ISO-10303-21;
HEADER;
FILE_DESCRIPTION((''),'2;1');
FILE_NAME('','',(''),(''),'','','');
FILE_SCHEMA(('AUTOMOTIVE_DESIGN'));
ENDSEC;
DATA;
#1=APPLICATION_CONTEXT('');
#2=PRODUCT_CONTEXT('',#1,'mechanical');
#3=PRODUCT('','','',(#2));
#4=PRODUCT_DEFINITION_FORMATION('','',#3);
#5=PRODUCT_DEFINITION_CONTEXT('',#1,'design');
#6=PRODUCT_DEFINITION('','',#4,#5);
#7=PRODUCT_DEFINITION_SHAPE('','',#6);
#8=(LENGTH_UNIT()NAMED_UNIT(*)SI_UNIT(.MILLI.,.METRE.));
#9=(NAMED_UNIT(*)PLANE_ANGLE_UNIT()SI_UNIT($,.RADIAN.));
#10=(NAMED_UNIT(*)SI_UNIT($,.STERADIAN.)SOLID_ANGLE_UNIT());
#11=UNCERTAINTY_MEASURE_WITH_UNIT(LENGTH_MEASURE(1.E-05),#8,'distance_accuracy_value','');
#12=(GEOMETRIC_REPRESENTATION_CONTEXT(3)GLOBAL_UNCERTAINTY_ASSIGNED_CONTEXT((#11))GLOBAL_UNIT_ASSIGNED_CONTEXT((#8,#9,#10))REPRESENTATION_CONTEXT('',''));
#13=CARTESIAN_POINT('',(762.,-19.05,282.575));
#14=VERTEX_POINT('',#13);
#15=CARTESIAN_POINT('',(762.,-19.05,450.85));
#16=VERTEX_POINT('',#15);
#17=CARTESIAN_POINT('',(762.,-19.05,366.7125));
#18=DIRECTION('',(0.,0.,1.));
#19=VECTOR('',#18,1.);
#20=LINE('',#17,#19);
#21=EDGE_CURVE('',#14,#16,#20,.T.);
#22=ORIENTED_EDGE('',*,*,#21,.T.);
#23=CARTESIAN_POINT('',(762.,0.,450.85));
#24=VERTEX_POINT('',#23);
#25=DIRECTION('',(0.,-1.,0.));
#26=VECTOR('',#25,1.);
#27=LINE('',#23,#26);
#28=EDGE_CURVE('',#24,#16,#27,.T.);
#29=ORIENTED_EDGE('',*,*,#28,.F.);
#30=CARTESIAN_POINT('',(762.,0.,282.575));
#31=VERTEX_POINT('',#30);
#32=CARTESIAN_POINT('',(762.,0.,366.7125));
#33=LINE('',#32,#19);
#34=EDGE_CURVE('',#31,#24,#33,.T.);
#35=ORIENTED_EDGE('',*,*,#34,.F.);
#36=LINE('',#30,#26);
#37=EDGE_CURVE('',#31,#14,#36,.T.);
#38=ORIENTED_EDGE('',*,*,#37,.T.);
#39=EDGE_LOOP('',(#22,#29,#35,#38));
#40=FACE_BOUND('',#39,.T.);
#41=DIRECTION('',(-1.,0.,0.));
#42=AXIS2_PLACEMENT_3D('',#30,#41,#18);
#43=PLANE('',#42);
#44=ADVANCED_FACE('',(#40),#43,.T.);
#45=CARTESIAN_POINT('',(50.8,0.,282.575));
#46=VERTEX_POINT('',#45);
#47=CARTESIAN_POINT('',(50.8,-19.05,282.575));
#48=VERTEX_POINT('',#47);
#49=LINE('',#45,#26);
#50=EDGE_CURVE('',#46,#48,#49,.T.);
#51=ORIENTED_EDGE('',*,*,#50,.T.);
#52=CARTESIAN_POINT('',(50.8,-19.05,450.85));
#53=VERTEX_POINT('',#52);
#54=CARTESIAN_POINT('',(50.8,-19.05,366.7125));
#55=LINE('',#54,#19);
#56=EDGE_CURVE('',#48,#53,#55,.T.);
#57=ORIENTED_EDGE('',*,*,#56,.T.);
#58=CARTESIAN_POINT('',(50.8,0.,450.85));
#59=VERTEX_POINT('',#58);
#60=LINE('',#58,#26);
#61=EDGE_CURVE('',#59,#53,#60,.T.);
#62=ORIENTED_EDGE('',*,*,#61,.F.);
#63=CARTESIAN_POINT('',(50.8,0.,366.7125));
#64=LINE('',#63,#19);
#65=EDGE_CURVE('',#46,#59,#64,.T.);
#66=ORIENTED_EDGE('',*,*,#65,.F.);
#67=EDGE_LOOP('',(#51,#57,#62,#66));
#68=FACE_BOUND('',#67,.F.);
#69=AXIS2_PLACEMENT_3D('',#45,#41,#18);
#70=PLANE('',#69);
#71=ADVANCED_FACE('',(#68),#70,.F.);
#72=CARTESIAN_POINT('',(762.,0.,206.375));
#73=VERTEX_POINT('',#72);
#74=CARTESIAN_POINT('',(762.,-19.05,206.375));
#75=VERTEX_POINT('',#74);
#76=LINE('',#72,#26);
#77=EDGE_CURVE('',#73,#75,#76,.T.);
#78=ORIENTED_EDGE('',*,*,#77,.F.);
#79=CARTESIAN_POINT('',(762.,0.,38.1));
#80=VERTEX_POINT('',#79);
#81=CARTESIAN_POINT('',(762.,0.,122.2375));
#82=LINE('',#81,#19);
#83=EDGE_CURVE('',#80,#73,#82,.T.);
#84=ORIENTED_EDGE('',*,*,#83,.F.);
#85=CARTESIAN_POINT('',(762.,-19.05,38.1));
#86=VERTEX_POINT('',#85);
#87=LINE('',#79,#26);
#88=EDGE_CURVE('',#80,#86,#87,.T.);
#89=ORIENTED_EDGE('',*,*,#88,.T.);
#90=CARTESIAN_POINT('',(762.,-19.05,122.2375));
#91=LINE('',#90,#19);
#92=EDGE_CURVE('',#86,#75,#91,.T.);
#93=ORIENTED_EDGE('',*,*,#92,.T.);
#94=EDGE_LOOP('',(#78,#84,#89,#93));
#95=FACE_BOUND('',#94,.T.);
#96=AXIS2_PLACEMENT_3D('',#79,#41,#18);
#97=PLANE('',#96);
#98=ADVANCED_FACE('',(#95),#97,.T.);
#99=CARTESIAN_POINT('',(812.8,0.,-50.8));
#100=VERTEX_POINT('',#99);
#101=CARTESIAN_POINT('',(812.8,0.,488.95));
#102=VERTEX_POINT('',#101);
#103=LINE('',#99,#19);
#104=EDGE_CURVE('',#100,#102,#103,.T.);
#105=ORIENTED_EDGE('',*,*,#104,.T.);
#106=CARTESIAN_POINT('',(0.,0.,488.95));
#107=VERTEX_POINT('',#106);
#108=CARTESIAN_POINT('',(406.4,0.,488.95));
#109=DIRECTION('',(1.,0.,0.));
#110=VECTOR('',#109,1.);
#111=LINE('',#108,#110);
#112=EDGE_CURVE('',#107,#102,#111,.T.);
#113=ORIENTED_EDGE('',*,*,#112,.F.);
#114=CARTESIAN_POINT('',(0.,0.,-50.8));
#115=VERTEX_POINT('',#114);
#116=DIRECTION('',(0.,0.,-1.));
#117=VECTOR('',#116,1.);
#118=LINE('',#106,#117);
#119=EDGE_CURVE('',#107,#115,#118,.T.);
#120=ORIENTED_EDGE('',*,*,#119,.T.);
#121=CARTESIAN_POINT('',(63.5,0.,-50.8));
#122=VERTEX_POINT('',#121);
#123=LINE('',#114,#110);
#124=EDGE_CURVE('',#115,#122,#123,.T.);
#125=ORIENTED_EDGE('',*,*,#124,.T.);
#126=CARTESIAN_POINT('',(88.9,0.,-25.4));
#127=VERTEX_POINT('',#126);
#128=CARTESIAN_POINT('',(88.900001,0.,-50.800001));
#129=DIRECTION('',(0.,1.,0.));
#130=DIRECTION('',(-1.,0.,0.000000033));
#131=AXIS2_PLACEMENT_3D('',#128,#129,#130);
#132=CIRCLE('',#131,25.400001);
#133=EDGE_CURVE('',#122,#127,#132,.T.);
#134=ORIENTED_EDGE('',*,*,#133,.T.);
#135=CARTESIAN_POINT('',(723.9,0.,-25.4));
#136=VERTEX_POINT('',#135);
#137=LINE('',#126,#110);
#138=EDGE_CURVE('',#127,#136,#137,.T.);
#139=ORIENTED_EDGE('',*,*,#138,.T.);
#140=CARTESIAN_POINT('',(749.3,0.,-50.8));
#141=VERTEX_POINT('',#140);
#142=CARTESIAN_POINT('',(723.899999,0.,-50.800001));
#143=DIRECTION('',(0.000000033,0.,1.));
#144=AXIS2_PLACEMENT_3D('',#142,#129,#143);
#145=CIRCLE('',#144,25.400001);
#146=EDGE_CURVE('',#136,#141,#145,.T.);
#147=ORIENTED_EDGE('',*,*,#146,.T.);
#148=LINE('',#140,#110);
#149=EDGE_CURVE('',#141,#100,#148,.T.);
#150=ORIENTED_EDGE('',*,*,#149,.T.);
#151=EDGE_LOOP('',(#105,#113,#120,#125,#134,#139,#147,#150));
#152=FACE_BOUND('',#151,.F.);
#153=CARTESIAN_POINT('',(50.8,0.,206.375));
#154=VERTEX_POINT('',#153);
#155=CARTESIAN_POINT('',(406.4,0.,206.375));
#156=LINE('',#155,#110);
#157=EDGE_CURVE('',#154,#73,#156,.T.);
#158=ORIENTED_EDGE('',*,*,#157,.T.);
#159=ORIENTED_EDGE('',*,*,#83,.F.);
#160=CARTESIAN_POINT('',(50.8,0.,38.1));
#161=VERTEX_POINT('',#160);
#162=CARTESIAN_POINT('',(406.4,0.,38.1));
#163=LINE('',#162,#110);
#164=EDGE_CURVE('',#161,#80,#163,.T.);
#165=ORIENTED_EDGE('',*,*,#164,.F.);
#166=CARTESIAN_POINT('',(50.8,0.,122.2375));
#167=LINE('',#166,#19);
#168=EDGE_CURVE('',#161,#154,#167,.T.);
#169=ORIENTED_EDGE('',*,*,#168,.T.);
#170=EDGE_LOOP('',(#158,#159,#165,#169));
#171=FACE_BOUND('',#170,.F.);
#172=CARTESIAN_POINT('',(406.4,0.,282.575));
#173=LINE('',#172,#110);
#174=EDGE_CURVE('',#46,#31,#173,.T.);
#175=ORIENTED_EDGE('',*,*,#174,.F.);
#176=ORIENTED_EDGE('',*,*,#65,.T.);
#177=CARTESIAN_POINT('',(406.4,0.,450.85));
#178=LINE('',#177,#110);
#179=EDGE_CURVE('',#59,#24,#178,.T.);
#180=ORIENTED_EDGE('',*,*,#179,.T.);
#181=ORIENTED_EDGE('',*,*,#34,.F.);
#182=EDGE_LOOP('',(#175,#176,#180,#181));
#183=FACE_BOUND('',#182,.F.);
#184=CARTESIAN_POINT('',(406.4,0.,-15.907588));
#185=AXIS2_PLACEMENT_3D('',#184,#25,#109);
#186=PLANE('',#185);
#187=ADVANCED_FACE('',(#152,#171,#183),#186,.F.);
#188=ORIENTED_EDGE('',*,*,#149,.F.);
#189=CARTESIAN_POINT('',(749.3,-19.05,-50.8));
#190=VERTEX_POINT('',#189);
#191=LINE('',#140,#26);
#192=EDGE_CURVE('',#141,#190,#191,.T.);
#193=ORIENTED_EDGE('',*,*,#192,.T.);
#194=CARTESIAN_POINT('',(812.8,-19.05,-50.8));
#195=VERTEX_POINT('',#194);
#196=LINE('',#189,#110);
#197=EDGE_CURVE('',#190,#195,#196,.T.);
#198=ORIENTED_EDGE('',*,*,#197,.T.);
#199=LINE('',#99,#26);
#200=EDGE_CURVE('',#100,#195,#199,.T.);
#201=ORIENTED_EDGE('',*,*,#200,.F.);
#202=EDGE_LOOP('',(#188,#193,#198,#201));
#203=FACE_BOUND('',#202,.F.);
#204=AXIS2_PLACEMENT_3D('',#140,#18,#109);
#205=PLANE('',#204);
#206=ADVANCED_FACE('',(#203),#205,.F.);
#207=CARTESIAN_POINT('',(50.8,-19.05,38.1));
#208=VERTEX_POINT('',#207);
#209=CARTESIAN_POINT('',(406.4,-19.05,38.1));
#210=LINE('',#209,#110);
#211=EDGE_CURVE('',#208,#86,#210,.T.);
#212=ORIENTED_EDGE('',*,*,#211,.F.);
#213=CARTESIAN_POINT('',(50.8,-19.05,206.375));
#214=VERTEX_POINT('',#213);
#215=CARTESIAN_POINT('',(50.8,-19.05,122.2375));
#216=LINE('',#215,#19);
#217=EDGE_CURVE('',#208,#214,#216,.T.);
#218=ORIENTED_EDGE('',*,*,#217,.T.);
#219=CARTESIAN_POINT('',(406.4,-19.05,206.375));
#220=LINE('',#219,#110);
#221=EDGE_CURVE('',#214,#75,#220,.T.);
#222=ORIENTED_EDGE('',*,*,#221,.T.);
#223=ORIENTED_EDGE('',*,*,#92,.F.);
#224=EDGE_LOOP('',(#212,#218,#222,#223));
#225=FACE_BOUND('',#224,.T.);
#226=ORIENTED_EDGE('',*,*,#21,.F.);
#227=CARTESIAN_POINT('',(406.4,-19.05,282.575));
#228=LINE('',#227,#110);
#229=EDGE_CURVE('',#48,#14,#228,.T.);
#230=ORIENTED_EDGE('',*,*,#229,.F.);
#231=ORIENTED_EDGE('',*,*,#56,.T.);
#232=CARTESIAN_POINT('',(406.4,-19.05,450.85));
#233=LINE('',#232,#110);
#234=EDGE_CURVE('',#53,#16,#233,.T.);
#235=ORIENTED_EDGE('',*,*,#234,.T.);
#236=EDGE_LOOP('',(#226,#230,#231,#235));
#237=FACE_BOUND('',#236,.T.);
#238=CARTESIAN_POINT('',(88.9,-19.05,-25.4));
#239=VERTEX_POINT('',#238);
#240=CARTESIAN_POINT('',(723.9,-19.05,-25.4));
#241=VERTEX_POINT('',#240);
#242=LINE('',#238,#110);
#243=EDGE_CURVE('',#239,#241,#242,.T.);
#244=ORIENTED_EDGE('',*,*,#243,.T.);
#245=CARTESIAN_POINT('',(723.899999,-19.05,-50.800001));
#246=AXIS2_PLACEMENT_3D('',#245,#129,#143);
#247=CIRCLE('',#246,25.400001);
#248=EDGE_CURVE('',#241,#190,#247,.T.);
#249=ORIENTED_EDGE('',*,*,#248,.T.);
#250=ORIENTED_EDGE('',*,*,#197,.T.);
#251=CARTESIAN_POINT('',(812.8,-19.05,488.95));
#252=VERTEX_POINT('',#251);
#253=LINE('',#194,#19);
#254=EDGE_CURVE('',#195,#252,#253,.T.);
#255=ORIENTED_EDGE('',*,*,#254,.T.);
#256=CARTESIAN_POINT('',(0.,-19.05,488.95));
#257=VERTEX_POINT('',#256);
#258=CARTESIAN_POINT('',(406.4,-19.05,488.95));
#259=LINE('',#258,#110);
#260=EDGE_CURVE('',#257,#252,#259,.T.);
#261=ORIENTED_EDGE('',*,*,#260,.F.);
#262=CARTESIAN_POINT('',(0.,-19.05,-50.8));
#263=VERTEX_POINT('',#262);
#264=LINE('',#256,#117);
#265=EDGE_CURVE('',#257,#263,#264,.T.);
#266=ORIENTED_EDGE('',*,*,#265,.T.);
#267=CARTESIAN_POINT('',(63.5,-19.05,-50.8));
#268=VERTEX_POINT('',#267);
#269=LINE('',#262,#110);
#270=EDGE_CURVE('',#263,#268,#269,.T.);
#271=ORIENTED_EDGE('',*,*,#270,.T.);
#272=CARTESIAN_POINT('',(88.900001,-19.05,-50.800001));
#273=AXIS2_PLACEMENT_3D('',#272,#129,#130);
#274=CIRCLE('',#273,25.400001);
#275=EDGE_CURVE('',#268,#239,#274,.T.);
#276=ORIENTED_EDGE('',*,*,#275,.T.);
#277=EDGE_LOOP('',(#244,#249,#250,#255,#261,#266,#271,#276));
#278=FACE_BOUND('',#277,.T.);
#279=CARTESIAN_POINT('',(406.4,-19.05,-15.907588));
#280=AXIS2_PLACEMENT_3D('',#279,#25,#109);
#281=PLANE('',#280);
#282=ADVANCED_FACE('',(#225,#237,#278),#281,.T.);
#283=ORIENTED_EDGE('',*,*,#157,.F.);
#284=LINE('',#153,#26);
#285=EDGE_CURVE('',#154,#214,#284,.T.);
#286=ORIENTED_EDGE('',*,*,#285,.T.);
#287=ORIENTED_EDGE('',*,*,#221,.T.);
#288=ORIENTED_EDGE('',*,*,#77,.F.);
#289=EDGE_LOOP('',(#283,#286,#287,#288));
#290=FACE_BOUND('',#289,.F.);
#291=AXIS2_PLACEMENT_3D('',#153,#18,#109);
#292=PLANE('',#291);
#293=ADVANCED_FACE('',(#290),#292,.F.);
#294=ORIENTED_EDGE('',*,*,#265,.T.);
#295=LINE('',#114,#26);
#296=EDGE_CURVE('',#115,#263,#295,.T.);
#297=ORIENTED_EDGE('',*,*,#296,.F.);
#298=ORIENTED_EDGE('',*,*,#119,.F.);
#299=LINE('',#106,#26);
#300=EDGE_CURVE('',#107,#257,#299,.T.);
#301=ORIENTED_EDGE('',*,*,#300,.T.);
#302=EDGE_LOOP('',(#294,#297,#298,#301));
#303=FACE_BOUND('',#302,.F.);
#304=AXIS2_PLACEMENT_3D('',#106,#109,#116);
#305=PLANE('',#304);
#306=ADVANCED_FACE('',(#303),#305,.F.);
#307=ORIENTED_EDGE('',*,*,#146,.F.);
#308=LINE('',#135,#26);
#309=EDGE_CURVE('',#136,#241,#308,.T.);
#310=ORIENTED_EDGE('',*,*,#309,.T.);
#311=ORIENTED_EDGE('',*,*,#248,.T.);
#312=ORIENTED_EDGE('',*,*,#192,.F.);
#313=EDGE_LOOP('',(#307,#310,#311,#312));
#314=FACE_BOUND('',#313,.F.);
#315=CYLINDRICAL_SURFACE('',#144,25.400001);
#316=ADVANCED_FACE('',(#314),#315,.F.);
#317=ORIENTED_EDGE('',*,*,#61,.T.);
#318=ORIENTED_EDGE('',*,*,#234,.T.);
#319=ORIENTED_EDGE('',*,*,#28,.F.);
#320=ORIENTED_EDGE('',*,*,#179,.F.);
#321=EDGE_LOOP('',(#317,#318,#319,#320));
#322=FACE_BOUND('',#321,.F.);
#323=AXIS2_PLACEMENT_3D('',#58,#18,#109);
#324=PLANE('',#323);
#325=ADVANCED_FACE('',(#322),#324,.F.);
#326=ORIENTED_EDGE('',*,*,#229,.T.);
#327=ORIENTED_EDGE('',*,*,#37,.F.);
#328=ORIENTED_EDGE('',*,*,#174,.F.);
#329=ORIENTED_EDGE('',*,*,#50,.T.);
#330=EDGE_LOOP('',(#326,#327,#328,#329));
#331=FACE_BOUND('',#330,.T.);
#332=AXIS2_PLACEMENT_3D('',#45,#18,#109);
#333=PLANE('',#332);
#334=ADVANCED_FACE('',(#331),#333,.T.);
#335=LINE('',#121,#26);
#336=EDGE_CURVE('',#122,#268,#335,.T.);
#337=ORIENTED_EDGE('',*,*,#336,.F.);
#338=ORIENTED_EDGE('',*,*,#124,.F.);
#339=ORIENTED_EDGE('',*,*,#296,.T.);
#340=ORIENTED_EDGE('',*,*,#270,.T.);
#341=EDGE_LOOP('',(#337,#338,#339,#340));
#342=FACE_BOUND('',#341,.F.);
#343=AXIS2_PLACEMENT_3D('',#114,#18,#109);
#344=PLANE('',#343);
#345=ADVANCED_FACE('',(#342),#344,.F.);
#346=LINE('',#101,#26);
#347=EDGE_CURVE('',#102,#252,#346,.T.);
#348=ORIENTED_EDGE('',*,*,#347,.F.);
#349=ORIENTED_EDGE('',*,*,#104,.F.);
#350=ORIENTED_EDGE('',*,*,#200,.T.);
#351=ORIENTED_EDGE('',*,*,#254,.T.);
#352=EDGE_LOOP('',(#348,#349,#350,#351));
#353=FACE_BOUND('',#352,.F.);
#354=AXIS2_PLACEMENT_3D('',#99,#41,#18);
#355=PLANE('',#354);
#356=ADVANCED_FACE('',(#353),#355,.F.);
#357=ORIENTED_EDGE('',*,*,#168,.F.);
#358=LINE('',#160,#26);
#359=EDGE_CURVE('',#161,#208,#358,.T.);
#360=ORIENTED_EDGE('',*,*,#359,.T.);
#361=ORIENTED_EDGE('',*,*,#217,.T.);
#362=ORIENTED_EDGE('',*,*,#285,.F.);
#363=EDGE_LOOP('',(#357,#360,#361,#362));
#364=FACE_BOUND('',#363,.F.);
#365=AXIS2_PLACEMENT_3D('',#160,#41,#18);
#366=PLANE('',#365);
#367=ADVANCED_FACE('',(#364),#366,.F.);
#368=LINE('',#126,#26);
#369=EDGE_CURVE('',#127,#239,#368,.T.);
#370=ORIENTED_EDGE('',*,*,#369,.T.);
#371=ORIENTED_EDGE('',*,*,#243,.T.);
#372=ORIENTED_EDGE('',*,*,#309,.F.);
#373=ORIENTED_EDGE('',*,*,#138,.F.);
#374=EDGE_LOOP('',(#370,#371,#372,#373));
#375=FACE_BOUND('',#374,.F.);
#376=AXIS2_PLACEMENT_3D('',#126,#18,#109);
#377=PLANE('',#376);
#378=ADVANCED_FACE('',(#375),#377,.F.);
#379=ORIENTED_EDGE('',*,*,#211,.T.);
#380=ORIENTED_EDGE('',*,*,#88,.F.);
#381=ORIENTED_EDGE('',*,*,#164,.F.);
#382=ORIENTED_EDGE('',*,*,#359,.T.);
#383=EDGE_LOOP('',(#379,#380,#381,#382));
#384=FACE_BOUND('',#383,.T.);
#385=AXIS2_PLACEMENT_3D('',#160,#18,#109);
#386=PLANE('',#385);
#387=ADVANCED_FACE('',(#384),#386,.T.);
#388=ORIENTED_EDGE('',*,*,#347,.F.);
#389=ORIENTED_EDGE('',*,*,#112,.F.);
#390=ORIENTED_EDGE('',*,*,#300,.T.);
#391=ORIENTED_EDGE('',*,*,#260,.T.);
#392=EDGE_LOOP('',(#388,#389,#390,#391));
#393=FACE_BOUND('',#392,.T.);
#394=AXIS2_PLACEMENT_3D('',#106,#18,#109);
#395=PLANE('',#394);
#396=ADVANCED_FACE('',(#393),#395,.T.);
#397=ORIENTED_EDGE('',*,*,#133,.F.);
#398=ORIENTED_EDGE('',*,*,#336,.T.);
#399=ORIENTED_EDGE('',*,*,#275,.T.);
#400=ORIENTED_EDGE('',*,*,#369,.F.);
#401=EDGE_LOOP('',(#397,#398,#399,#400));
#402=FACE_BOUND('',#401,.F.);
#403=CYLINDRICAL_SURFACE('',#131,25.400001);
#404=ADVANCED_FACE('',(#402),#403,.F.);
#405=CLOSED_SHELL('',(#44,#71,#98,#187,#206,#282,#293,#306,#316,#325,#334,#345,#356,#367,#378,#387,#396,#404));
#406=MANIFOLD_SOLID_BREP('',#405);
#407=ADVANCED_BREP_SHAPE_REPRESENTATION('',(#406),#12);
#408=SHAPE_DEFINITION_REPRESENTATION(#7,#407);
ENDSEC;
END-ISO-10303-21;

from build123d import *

# Parameters (mm, degrees)
F0_W     = 812.8
F0_H     = 488.95
F0_W_2   = 711.2
F0_H_2   = 168.275
F1_DEPTH = 19.05


with BuildPart() as f1:
    # F0 (on Front) → F1 (new body)
    with BuildSketch(Plane.XZ):
        with BuildLine():
            Line((812.8, 0), (0, 0))
            Line((0, 0), (0, -50.8))
            Line((0, -50.8), (63.5, -50.8))
            ThreePointArc((63.5, -50.8), (70.939488, -32.839488), (88.9, -25.4))
            Line((88.9, -25.4), (406.4, -25.4))
            Line((406.4, -25.4), (723.9, -25.4))
            ThreePointArc((723.9, -25.4), (741.860512, -32.839488), (749.3, -50.8))
            Line((749.3, -50.8), (812.8, -50.8))
            Line((812.8, -50.8), (812.8, 0))
        make_face()
        with Locations((406.4, 244.475)):
            Rectangle(F0_W, F0_H)
        with Locations((406.4, 122.2375)):
            Rectangle(F0_W_2, F0_H_2, mode=Mode.SUBTRACT)
        with Locations((406.4, 366.7125)):
            Rectangle(F0_W_2, F0_H_2, mode=Mode.SUBTRACT)
    extrude(amount=F1_DEPTH)


solid = f1.part
